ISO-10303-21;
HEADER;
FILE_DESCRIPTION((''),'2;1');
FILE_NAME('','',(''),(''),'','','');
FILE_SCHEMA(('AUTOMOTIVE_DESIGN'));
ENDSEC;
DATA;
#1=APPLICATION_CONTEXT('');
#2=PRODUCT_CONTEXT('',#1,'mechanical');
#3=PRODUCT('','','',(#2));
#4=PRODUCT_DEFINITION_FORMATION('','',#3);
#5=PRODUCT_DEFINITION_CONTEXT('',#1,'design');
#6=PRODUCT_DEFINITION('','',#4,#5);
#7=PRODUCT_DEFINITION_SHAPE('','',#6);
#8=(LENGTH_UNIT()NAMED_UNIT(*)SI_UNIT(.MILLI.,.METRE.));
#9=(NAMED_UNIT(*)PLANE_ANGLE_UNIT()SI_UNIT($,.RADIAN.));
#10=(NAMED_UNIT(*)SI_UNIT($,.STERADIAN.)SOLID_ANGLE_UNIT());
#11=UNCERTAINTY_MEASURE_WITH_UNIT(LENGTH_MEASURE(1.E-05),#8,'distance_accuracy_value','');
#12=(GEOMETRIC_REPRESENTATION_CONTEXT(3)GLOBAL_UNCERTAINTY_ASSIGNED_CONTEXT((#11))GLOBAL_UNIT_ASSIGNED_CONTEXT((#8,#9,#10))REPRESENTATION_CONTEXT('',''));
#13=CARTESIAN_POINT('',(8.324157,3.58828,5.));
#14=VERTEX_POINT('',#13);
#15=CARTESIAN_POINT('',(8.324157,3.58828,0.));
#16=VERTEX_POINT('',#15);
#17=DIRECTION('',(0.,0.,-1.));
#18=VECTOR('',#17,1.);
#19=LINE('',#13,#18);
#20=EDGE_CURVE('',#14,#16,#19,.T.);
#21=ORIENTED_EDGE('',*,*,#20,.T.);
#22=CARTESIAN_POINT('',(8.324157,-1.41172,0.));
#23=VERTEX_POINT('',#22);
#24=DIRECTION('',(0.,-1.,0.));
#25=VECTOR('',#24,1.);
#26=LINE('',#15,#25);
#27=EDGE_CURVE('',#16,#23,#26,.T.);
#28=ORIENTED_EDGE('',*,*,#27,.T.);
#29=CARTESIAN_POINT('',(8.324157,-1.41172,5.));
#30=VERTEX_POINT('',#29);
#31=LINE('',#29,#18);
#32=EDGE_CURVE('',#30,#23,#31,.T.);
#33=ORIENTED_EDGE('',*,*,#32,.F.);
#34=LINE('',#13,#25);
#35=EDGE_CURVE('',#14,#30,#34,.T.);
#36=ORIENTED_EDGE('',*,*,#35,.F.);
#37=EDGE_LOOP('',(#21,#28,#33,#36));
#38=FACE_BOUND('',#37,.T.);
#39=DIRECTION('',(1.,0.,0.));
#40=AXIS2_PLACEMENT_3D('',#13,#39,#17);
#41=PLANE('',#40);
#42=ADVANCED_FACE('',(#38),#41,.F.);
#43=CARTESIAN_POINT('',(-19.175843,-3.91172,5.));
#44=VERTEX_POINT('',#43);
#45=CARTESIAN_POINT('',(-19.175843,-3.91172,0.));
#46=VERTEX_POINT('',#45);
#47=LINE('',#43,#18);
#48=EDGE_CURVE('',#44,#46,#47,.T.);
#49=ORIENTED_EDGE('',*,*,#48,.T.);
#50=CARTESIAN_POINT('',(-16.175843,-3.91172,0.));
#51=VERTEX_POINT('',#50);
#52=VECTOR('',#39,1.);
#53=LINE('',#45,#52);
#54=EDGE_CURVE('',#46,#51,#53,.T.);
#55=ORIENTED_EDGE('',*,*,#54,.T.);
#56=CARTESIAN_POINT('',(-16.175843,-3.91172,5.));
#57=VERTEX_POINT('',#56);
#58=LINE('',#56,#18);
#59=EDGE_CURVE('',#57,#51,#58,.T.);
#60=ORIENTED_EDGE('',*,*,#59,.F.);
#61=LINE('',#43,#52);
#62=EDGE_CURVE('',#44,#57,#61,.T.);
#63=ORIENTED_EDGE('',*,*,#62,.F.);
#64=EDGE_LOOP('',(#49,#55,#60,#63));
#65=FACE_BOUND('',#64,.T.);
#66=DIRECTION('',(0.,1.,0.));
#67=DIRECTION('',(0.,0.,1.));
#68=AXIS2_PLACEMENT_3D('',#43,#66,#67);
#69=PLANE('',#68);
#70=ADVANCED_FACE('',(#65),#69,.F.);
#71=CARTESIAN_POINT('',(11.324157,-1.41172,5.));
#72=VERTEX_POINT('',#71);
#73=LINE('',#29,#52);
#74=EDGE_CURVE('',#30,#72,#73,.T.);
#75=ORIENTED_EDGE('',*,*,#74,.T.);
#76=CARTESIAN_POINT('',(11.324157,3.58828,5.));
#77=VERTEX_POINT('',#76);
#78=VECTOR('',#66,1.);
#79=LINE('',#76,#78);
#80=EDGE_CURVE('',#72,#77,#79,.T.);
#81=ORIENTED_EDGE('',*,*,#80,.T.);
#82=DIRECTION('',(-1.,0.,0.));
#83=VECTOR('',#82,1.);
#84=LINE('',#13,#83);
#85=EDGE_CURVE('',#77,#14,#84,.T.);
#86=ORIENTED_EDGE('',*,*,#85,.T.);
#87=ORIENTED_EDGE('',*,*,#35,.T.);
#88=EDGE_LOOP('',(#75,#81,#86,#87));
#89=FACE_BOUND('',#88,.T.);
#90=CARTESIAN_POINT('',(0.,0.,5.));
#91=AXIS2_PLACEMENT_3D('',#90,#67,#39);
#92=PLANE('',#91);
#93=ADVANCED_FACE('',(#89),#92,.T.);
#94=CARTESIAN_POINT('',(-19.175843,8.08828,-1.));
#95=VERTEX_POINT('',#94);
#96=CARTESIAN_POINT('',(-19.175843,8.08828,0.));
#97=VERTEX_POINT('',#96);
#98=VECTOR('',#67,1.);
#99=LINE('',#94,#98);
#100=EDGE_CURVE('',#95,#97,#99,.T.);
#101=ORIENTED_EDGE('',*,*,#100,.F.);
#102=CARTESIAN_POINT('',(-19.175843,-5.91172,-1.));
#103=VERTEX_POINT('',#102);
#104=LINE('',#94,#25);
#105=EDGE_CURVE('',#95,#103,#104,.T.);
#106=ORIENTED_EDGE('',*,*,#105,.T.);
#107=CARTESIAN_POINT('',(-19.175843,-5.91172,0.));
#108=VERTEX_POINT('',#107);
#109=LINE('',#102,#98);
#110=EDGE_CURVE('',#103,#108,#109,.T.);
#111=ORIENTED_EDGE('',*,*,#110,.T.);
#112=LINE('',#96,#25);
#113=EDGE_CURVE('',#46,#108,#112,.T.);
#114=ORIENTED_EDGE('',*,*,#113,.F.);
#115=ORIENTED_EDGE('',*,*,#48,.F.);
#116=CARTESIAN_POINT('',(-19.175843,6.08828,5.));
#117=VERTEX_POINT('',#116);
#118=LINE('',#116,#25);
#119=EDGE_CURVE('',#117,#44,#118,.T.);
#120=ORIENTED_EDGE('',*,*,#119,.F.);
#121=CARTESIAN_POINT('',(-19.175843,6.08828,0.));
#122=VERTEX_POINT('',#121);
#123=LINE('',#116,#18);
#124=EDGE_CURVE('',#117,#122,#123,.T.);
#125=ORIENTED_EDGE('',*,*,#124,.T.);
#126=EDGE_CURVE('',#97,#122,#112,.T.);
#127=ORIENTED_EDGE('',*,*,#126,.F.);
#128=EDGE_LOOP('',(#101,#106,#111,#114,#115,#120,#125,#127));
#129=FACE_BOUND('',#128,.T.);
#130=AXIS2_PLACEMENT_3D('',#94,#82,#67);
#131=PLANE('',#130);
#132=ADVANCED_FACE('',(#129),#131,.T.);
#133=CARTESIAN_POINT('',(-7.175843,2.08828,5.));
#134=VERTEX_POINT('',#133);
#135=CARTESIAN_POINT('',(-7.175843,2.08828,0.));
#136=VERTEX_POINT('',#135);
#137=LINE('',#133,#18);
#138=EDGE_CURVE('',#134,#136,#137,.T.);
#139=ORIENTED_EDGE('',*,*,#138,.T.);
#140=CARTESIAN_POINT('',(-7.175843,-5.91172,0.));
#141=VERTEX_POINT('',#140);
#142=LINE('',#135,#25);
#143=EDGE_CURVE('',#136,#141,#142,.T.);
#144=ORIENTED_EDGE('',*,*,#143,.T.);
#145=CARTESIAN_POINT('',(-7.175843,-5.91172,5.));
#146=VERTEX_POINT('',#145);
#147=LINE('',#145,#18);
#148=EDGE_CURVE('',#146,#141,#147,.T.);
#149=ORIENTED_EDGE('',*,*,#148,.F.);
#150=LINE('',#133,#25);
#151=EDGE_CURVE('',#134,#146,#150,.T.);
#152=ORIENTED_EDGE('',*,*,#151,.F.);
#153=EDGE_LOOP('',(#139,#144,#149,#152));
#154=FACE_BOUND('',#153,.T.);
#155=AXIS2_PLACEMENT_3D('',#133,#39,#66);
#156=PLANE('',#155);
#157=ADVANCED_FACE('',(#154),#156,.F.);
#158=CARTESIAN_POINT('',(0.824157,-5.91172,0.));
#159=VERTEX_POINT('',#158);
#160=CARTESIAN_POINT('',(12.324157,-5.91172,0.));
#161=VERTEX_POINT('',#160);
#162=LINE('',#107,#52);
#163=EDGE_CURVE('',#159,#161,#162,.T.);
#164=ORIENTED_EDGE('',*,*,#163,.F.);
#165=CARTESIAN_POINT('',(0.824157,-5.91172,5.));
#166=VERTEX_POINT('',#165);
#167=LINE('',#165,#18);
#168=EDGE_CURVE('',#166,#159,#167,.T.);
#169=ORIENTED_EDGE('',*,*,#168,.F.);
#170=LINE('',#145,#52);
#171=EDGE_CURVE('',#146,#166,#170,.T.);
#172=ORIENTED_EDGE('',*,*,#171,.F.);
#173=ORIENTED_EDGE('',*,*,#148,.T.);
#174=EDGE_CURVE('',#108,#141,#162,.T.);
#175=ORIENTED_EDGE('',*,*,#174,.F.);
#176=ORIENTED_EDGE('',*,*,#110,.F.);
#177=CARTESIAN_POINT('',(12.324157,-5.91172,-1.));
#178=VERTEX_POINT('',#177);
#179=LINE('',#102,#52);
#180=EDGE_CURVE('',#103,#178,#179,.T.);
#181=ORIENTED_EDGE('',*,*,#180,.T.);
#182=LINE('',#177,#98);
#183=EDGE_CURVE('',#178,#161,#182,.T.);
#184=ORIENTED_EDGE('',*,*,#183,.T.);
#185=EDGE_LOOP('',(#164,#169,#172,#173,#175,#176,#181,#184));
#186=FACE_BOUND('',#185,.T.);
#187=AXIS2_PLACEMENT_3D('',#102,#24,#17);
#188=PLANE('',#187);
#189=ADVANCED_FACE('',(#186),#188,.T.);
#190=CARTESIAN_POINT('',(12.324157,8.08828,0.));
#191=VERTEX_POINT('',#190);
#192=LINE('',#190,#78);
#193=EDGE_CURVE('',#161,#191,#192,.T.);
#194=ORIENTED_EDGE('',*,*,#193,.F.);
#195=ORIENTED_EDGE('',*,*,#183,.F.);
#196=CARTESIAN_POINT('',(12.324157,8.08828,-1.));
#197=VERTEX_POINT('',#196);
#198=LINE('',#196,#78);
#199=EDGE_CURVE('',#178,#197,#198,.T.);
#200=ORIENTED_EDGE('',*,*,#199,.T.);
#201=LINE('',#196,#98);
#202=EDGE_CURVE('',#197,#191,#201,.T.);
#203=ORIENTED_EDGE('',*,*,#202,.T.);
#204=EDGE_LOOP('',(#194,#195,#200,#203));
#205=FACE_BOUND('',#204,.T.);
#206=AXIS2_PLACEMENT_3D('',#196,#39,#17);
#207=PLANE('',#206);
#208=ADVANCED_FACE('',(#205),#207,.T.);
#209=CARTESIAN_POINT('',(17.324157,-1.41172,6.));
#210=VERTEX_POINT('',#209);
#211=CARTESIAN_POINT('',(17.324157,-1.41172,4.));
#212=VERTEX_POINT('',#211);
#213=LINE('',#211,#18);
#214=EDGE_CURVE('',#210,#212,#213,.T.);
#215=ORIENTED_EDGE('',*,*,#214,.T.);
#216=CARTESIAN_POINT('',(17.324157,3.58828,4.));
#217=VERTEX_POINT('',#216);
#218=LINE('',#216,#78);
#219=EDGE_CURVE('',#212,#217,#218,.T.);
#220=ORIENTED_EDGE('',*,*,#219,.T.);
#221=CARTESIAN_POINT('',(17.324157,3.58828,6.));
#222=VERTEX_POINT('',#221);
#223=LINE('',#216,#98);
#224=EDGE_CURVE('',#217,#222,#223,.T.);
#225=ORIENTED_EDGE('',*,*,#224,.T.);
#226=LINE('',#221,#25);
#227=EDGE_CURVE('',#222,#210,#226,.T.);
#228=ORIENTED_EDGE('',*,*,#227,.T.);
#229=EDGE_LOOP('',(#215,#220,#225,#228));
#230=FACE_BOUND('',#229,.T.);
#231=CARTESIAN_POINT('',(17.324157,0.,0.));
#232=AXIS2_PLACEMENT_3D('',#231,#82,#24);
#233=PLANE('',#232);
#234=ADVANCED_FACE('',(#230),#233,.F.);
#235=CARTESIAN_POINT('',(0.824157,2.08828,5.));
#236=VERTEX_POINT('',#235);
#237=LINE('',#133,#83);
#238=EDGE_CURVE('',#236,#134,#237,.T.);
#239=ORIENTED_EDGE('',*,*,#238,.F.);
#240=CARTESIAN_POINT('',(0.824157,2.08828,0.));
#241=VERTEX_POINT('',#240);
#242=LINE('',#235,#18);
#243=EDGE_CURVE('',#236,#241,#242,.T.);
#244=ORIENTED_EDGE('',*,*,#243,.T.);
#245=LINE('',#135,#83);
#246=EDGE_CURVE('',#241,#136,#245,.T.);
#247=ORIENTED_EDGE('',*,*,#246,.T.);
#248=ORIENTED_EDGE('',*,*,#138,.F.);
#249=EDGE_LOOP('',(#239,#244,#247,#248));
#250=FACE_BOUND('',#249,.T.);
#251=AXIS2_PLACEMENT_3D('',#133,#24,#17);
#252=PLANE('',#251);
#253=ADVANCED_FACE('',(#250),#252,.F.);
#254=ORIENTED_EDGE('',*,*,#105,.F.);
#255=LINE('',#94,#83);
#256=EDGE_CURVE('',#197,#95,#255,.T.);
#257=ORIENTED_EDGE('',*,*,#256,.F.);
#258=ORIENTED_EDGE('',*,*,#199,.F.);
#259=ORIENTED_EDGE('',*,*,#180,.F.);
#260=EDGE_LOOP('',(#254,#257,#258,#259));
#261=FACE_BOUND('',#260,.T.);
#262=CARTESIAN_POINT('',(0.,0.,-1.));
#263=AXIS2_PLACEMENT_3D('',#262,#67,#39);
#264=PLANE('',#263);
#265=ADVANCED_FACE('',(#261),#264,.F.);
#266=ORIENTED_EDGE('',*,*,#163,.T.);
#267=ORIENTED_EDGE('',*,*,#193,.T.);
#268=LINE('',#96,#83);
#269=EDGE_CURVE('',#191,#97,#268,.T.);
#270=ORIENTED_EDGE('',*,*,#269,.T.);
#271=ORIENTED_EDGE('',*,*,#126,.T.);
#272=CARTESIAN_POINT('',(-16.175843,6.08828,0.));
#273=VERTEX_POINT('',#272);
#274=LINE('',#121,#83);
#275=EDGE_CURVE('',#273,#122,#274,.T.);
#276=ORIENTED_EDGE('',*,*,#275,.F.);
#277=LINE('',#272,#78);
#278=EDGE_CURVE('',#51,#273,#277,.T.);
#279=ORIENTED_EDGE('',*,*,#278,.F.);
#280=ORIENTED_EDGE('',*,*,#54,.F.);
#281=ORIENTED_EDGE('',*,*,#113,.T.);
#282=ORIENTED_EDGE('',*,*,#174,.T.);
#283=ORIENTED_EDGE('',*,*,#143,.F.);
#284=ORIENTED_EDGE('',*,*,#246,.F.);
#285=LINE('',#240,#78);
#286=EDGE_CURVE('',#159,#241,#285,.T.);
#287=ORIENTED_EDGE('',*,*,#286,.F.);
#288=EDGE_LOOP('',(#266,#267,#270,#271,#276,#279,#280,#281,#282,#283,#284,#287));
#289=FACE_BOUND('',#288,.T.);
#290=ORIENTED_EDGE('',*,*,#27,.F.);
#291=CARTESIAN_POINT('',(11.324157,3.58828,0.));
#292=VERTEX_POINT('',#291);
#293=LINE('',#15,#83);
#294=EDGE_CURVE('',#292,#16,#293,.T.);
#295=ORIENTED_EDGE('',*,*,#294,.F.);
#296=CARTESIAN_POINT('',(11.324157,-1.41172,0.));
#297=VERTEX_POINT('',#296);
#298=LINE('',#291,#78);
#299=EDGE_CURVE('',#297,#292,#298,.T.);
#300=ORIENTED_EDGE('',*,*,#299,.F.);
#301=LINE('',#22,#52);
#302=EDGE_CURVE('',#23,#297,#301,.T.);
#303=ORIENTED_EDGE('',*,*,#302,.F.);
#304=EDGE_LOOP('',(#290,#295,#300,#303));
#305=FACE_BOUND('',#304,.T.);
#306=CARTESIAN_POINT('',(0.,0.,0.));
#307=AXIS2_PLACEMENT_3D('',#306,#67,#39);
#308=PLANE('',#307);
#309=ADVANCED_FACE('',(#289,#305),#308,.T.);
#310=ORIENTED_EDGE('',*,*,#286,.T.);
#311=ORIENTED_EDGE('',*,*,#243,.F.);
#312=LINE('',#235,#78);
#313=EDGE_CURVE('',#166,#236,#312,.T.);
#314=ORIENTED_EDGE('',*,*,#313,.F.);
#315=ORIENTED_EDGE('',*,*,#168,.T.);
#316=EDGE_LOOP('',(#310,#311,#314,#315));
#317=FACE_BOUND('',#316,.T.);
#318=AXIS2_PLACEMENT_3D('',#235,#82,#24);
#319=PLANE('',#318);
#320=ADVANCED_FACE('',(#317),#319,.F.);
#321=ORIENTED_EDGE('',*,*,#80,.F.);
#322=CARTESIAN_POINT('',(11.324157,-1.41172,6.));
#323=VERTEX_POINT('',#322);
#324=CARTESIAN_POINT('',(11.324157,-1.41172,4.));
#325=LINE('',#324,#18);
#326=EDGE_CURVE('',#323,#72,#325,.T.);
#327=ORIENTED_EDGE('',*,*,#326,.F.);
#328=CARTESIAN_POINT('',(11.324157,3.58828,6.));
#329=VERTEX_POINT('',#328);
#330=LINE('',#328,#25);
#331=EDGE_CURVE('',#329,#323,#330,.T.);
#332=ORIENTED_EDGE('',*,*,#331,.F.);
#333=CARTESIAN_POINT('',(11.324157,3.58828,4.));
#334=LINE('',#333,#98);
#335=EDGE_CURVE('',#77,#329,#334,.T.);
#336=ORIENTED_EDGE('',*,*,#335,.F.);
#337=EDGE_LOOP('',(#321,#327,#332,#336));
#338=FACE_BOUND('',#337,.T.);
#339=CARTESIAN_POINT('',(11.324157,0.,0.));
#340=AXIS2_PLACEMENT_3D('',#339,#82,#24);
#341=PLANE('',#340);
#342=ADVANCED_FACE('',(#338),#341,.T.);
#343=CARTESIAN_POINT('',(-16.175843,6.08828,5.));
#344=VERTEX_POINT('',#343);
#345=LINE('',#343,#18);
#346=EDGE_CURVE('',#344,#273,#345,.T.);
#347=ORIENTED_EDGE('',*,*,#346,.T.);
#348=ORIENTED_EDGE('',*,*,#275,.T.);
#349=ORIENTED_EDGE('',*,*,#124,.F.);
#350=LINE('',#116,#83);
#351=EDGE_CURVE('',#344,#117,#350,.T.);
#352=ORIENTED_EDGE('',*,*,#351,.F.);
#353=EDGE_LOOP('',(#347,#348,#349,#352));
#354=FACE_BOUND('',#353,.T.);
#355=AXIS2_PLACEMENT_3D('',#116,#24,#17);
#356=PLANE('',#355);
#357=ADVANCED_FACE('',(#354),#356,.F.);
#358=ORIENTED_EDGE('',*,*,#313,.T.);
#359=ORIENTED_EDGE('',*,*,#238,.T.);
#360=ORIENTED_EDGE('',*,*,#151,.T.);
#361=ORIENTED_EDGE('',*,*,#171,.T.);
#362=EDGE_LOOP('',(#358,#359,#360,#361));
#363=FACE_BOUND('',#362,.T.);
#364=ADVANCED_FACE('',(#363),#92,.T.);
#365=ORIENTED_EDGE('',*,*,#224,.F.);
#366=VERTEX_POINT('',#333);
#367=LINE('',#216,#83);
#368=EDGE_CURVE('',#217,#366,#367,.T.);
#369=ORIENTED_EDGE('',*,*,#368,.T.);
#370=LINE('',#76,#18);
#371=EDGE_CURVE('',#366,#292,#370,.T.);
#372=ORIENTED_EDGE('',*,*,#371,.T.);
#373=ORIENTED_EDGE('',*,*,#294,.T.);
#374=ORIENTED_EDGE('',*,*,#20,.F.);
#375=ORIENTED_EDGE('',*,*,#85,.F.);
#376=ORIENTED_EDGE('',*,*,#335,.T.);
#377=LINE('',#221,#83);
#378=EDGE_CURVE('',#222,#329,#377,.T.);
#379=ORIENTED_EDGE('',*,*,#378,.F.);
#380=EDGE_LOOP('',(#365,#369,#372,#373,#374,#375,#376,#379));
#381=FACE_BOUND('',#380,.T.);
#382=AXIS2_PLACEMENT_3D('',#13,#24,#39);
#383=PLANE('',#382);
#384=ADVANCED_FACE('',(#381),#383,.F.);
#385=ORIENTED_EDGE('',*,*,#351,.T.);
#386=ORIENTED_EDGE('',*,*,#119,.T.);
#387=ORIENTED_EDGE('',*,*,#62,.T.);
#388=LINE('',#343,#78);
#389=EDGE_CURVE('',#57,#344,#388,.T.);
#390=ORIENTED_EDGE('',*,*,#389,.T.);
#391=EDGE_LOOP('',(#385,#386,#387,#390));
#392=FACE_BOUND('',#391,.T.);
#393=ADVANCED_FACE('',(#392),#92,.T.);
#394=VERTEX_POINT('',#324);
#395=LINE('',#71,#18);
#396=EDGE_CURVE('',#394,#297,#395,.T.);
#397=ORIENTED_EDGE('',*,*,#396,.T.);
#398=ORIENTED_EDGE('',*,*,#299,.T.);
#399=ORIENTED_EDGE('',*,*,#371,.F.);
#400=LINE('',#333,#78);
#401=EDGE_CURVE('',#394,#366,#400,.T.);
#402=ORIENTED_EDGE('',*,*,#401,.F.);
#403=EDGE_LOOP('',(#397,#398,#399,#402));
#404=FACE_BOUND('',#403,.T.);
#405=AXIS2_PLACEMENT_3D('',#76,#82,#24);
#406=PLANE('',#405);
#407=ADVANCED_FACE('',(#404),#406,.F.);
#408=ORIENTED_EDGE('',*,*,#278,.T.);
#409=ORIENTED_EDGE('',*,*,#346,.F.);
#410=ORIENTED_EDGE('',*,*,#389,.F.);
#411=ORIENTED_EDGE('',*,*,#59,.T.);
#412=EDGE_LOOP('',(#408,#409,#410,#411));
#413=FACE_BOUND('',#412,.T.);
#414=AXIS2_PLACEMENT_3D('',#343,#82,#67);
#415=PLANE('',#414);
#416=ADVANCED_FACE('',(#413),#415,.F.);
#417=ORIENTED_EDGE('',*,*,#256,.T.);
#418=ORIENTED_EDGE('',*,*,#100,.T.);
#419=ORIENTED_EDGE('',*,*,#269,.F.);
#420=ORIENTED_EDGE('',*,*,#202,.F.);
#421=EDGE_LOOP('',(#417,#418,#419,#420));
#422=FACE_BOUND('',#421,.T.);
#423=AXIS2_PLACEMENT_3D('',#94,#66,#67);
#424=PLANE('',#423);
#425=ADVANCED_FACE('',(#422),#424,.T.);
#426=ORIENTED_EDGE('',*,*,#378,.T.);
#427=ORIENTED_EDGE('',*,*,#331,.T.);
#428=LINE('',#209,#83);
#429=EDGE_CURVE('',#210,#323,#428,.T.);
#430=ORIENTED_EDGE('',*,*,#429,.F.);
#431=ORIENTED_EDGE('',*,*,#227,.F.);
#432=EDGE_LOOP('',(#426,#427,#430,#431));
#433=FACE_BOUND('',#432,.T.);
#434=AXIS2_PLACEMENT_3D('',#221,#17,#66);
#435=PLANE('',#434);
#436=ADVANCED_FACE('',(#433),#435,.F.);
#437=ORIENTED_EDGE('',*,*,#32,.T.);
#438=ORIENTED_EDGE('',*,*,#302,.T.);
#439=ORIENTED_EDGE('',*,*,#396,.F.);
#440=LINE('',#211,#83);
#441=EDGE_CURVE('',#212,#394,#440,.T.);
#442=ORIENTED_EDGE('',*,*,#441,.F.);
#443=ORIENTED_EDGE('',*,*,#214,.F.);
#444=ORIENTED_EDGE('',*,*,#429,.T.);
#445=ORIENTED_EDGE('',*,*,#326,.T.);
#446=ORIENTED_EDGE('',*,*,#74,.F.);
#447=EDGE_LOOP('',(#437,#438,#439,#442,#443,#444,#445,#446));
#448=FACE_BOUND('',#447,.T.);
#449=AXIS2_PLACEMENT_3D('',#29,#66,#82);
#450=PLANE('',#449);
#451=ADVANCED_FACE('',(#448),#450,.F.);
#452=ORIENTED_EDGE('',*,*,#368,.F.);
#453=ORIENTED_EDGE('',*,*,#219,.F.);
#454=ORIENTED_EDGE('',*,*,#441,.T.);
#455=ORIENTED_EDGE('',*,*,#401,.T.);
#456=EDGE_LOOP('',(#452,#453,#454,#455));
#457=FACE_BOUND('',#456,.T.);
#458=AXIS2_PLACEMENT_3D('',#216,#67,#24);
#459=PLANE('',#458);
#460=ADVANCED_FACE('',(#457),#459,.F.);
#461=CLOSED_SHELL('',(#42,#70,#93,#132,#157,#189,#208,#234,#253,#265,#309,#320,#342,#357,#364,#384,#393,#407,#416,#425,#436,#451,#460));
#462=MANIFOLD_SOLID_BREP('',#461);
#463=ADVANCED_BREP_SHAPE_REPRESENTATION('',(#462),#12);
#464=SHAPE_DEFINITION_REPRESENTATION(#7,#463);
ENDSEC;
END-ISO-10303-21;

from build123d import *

# Parameters (mm, degrees)
ESQUISSE1_W        = 31.5
ESQUISSE1_H        = 14
BOSS_EXTRU_1_DEPTH = 1
ESQUISSE2_W        = 8
ESQUISSE2_H        = 8
BOSS_EXTRU_2_DEPTH = 5
ESQUISSE3_W        = 3
ESQUISSE3_H        = 5
BOSS_EXTRU_3_DEPTH = 5
ESQUISSE4_W        = 3
ESQUISSE4_H        = 10
BOSS_EXTRU_4_DEPTH = 5
ESQUISSE6_W        = 2
ESQUISSE6_H        = 5
BOSS_EXTRU_6_DEPTH = 6


with BuildPart() as part:
    # Esquisse1 → Boss.-Extru.1 (new body)
    with BuildSketch(Plane.XY):
        with Locations((-3.425842613, 1.088280058)):
            Rectangle(ESQUISSE1_W, ESQUISSE1_H)
    extrude(amount=-BOSS_EXTRU_1_DEPTH)

    # Esquisse2 → Boss.-Extru.2 (add)
    with BuildSketch(Plane.XY):
        with Locations((-3.175842613, -1.911719942)):
            Rectangle(ESQUISSE2_W, ESQUISSE2_H)
    extrude(amount=BOSS_EXTRU_2_DEPTH)

    # Esquisse3 → Boss.-Extru.3 (add)
    with BuildSketch(Plane.XY):
        with Locations((9.824157387, 1.088280058)):
            Rectangle(ESQUISSE3_W, ESQUISSE3_H)
    extrude(amount=BOSS_EXTRU_3_DEPTH)

    # Esquisse4 → Boss.-Extru.4 (add)
    with BuildSketch(Plane.XY):
        with Locations((-17.675842613, 1.088280058)):
            Rectangle(ESQUISSE4_W, ESQUISSE4_H)
    extrude(amount=BOSS_EXTRU_4_DEPTH)

    # Esquisse6 → Boss.-Extru.6 (add)
    with BuildSketch(Plane(origin=(11.324157387, 0, 0), x_dir=(0, 0, -1), z_dir=(1, 0, 0))):
        with Locations((-5, 1.088280058)):
            Rectangle(ESQUISSE6_W, ESQUISSE6_H)
    extrude(amount=BOSS_EXTRU_6_DEPTH)


solid = part.part
